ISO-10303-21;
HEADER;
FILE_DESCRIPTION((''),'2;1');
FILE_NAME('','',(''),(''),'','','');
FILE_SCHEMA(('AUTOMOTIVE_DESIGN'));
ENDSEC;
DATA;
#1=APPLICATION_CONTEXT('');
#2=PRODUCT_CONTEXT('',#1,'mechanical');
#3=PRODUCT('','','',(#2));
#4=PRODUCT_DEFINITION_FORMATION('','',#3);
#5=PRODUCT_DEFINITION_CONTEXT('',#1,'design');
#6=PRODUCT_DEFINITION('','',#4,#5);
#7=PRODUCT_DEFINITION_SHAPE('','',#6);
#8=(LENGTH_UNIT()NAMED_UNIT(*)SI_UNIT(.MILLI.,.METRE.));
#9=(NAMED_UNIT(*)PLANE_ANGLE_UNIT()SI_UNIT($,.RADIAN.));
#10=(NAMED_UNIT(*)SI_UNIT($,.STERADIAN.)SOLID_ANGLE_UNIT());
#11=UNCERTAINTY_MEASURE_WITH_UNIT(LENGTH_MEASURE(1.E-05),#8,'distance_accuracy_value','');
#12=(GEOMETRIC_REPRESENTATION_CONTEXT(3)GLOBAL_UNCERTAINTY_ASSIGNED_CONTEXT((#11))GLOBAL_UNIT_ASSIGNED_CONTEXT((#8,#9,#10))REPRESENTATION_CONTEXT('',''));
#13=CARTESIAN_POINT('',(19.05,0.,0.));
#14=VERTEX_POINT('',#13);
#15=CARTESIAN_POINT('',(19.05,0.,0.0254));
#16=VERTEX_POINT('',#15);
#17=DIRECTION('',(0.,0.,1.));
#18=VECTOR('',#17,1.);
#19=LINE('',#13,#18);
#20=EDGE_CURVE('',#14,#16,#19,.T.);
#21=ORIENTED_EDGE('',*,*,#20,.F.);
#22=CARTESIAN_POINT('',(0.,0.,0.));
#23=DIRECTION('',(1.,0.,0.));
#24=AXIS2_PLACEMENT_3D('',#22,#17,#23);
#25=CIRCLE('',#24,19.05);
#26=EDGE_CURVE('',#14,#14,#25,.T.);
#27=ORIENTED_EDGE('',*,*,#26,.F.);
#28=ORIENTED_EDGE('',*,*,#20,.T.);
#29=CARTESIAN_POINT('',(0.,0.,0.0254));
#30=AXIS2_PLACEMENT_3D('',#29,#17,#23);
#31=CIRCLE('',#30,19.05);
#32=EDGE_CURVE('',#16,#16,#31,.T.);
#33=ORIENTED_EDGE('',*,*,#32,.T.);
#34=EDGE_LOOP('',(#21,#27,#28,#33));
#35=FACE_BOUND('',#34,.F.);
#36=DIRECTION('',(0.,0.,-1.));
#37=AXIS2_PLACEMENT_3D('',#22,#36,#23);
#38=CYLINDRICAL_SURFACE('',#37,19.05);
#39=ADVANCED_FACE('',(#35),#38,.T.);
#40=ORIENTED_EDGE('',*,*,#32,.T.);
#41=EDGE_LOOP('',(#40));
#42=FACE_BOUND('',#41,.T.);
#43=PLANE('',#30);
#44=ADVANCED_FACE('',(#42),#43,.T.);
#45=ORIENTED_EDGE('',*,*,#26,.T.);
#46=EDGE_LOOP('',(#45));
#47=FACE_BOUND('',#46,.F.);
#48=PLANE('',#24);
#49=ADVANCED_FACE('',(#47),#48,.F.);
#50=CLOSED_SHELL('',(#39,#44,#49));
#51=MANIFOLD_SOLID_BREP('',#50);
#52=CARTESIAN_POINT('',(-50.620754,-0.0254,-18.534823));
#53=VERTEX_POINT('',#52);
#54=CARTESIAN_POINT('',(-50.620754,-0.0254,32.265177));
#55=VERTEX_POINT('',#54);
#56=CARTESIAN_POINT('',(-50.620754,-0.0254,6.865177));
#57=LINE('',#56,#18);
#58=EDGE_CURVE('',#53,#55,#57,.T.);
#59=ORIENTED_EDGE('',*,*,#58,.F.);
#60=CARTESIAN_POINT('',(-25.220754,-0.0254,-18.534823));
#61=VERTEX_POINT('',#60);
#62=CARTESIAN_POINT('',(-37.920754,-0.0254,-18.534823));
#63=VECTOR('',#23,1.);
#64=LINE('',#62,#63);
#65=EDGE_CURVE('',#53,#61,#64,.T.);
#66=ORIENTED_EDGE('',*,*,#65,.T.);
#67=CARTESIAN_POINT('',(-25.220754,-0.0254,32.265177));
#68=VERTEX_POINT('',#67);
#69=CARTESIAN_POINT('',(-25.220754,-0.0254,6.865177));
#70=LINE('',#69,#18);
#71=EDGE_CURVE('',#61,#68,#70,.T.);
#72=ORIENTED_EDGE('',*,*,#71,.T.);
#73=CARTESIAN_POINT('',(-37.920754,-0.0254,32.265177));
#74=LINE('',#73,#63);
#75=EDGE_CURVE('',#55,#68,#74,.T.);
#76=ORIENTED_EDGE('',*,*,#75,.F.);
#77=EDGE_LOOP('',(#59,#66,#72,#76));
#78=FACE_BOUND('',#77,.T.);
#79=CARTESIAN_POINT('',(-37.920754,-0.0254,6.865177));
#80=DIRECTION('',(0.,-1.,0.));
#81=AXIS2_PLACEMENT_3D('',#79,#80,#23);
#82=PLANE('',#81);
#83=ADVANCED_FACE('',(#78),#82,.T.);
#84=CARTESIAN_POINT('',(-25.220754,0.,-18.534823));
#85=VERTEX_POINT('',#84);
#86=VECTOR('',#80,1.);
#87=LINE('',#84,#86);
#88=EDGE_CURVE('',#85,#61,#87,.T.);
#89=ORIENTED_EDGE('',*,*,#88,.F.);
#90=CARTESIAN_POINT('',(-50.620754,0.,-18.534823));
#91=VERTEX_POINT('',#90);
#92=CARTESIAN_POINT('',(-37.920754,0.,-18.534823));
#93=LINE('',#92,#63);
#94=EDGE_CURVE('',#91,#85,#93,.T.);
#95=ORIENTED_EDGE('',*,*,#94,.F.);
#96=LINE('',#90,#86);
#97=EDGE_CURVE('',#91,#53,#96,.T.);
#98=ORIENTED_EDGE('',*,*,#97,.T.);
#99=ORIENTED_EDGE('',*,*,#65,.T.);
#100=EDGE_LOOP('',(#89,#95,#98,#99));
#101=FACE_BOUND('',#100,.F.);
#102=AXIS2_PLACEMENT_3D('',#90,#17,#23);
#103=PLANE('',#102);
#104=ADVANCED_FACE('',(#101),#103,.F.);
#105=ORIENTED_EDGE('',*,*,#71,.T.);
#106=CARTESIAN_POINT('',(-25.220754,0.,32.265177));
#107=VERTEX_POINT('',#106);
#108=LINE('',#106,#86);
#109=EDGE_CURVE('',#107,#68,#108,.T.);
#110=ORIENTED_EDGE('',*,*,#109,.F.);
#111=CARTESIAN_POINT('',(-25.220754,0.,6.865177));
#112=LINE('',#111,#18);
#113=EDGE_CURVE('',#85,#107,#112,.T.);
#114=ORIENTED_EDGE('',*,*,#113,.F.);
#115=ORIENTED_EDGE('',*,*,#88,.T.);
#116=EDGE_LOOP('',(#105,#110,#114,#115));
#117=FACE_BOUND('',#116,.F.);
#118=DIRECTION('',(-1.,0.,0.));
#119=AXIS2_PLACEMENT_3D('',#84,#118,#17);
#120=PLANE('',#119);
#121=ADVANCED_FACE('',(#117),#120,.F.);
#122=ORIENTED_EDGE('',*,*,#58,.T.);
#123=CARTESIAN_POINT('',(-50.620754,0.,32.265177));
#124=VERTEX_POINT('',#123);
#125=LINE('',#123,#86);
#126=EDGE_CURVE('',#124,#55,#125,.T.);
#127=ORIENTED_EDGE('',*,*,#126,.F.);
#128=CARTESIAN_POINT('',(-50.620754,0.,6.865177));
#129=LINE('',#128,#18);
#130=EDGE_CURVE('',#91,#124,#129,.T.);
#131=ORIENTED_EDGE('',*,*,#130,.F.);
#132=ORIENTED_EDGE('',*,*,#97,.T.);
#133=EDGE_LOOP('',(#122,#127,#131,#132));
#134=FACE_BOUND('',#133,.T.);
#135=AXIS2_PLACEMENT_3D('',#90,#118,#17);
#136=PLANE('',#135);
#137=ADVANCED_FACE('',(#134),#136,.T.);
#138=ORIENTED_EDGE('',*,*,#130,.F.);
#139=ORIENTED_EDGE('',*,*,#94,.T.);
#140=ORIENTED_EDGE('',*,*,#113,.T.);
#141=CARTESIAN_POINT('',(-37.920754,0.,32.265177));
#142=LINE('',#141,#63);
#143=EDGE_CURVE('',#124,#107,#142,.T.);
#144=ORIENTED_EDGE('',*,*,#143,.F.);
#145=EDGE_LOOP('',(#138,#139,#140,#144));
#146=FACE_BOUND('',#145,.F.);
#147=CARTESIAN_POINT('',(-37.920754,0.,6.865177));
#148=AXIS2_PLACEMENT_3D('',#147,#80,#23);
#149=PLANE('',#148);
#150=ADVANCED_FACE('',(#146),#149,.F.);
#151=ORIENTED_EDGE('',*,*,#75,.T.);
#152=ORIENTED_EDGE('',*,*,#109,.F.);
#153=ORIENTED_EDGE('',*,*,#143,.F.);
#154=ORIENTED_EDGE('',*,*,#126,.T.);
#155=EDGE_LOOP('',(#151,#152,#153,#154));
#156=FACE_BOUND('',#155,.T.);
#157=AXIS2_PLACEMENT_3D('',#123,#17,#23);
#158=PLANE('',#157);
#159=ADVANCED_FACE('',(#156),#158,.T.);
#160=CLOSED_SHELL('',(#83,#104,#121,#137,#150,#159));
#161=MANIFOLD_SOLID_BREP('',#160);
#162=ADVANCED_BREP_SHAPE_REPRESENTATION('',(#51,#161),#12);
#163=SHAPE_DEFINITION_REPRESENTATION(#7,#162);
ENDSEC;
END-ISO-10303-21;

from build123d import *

# Parameters (mm, degrees)
F1_W     = 25.4
F1_H     = 50.8
F2_DEPTH = 0.0254
F0_R     = 19.05
F3_DEPTH = 0.0254


with BuildPart() as f2:
    # F1 (on Front) → F2 (new body)
    with BuildSketch(Plane.XZ):
        with Locations((-37.920754, 6.865177)):
            Rectangle(F1_W, F1_H)
    extrude(amount=F2_DEPTH)


with BuildPart() as f3:
    # F0 (on Top) → F3 (new body)
    with BuildSketch(Plane.XY):
        Circle(F0_R)
    extrude(amount=F3_DEPTH)


solid = Compound([f2.part, f3.part])
